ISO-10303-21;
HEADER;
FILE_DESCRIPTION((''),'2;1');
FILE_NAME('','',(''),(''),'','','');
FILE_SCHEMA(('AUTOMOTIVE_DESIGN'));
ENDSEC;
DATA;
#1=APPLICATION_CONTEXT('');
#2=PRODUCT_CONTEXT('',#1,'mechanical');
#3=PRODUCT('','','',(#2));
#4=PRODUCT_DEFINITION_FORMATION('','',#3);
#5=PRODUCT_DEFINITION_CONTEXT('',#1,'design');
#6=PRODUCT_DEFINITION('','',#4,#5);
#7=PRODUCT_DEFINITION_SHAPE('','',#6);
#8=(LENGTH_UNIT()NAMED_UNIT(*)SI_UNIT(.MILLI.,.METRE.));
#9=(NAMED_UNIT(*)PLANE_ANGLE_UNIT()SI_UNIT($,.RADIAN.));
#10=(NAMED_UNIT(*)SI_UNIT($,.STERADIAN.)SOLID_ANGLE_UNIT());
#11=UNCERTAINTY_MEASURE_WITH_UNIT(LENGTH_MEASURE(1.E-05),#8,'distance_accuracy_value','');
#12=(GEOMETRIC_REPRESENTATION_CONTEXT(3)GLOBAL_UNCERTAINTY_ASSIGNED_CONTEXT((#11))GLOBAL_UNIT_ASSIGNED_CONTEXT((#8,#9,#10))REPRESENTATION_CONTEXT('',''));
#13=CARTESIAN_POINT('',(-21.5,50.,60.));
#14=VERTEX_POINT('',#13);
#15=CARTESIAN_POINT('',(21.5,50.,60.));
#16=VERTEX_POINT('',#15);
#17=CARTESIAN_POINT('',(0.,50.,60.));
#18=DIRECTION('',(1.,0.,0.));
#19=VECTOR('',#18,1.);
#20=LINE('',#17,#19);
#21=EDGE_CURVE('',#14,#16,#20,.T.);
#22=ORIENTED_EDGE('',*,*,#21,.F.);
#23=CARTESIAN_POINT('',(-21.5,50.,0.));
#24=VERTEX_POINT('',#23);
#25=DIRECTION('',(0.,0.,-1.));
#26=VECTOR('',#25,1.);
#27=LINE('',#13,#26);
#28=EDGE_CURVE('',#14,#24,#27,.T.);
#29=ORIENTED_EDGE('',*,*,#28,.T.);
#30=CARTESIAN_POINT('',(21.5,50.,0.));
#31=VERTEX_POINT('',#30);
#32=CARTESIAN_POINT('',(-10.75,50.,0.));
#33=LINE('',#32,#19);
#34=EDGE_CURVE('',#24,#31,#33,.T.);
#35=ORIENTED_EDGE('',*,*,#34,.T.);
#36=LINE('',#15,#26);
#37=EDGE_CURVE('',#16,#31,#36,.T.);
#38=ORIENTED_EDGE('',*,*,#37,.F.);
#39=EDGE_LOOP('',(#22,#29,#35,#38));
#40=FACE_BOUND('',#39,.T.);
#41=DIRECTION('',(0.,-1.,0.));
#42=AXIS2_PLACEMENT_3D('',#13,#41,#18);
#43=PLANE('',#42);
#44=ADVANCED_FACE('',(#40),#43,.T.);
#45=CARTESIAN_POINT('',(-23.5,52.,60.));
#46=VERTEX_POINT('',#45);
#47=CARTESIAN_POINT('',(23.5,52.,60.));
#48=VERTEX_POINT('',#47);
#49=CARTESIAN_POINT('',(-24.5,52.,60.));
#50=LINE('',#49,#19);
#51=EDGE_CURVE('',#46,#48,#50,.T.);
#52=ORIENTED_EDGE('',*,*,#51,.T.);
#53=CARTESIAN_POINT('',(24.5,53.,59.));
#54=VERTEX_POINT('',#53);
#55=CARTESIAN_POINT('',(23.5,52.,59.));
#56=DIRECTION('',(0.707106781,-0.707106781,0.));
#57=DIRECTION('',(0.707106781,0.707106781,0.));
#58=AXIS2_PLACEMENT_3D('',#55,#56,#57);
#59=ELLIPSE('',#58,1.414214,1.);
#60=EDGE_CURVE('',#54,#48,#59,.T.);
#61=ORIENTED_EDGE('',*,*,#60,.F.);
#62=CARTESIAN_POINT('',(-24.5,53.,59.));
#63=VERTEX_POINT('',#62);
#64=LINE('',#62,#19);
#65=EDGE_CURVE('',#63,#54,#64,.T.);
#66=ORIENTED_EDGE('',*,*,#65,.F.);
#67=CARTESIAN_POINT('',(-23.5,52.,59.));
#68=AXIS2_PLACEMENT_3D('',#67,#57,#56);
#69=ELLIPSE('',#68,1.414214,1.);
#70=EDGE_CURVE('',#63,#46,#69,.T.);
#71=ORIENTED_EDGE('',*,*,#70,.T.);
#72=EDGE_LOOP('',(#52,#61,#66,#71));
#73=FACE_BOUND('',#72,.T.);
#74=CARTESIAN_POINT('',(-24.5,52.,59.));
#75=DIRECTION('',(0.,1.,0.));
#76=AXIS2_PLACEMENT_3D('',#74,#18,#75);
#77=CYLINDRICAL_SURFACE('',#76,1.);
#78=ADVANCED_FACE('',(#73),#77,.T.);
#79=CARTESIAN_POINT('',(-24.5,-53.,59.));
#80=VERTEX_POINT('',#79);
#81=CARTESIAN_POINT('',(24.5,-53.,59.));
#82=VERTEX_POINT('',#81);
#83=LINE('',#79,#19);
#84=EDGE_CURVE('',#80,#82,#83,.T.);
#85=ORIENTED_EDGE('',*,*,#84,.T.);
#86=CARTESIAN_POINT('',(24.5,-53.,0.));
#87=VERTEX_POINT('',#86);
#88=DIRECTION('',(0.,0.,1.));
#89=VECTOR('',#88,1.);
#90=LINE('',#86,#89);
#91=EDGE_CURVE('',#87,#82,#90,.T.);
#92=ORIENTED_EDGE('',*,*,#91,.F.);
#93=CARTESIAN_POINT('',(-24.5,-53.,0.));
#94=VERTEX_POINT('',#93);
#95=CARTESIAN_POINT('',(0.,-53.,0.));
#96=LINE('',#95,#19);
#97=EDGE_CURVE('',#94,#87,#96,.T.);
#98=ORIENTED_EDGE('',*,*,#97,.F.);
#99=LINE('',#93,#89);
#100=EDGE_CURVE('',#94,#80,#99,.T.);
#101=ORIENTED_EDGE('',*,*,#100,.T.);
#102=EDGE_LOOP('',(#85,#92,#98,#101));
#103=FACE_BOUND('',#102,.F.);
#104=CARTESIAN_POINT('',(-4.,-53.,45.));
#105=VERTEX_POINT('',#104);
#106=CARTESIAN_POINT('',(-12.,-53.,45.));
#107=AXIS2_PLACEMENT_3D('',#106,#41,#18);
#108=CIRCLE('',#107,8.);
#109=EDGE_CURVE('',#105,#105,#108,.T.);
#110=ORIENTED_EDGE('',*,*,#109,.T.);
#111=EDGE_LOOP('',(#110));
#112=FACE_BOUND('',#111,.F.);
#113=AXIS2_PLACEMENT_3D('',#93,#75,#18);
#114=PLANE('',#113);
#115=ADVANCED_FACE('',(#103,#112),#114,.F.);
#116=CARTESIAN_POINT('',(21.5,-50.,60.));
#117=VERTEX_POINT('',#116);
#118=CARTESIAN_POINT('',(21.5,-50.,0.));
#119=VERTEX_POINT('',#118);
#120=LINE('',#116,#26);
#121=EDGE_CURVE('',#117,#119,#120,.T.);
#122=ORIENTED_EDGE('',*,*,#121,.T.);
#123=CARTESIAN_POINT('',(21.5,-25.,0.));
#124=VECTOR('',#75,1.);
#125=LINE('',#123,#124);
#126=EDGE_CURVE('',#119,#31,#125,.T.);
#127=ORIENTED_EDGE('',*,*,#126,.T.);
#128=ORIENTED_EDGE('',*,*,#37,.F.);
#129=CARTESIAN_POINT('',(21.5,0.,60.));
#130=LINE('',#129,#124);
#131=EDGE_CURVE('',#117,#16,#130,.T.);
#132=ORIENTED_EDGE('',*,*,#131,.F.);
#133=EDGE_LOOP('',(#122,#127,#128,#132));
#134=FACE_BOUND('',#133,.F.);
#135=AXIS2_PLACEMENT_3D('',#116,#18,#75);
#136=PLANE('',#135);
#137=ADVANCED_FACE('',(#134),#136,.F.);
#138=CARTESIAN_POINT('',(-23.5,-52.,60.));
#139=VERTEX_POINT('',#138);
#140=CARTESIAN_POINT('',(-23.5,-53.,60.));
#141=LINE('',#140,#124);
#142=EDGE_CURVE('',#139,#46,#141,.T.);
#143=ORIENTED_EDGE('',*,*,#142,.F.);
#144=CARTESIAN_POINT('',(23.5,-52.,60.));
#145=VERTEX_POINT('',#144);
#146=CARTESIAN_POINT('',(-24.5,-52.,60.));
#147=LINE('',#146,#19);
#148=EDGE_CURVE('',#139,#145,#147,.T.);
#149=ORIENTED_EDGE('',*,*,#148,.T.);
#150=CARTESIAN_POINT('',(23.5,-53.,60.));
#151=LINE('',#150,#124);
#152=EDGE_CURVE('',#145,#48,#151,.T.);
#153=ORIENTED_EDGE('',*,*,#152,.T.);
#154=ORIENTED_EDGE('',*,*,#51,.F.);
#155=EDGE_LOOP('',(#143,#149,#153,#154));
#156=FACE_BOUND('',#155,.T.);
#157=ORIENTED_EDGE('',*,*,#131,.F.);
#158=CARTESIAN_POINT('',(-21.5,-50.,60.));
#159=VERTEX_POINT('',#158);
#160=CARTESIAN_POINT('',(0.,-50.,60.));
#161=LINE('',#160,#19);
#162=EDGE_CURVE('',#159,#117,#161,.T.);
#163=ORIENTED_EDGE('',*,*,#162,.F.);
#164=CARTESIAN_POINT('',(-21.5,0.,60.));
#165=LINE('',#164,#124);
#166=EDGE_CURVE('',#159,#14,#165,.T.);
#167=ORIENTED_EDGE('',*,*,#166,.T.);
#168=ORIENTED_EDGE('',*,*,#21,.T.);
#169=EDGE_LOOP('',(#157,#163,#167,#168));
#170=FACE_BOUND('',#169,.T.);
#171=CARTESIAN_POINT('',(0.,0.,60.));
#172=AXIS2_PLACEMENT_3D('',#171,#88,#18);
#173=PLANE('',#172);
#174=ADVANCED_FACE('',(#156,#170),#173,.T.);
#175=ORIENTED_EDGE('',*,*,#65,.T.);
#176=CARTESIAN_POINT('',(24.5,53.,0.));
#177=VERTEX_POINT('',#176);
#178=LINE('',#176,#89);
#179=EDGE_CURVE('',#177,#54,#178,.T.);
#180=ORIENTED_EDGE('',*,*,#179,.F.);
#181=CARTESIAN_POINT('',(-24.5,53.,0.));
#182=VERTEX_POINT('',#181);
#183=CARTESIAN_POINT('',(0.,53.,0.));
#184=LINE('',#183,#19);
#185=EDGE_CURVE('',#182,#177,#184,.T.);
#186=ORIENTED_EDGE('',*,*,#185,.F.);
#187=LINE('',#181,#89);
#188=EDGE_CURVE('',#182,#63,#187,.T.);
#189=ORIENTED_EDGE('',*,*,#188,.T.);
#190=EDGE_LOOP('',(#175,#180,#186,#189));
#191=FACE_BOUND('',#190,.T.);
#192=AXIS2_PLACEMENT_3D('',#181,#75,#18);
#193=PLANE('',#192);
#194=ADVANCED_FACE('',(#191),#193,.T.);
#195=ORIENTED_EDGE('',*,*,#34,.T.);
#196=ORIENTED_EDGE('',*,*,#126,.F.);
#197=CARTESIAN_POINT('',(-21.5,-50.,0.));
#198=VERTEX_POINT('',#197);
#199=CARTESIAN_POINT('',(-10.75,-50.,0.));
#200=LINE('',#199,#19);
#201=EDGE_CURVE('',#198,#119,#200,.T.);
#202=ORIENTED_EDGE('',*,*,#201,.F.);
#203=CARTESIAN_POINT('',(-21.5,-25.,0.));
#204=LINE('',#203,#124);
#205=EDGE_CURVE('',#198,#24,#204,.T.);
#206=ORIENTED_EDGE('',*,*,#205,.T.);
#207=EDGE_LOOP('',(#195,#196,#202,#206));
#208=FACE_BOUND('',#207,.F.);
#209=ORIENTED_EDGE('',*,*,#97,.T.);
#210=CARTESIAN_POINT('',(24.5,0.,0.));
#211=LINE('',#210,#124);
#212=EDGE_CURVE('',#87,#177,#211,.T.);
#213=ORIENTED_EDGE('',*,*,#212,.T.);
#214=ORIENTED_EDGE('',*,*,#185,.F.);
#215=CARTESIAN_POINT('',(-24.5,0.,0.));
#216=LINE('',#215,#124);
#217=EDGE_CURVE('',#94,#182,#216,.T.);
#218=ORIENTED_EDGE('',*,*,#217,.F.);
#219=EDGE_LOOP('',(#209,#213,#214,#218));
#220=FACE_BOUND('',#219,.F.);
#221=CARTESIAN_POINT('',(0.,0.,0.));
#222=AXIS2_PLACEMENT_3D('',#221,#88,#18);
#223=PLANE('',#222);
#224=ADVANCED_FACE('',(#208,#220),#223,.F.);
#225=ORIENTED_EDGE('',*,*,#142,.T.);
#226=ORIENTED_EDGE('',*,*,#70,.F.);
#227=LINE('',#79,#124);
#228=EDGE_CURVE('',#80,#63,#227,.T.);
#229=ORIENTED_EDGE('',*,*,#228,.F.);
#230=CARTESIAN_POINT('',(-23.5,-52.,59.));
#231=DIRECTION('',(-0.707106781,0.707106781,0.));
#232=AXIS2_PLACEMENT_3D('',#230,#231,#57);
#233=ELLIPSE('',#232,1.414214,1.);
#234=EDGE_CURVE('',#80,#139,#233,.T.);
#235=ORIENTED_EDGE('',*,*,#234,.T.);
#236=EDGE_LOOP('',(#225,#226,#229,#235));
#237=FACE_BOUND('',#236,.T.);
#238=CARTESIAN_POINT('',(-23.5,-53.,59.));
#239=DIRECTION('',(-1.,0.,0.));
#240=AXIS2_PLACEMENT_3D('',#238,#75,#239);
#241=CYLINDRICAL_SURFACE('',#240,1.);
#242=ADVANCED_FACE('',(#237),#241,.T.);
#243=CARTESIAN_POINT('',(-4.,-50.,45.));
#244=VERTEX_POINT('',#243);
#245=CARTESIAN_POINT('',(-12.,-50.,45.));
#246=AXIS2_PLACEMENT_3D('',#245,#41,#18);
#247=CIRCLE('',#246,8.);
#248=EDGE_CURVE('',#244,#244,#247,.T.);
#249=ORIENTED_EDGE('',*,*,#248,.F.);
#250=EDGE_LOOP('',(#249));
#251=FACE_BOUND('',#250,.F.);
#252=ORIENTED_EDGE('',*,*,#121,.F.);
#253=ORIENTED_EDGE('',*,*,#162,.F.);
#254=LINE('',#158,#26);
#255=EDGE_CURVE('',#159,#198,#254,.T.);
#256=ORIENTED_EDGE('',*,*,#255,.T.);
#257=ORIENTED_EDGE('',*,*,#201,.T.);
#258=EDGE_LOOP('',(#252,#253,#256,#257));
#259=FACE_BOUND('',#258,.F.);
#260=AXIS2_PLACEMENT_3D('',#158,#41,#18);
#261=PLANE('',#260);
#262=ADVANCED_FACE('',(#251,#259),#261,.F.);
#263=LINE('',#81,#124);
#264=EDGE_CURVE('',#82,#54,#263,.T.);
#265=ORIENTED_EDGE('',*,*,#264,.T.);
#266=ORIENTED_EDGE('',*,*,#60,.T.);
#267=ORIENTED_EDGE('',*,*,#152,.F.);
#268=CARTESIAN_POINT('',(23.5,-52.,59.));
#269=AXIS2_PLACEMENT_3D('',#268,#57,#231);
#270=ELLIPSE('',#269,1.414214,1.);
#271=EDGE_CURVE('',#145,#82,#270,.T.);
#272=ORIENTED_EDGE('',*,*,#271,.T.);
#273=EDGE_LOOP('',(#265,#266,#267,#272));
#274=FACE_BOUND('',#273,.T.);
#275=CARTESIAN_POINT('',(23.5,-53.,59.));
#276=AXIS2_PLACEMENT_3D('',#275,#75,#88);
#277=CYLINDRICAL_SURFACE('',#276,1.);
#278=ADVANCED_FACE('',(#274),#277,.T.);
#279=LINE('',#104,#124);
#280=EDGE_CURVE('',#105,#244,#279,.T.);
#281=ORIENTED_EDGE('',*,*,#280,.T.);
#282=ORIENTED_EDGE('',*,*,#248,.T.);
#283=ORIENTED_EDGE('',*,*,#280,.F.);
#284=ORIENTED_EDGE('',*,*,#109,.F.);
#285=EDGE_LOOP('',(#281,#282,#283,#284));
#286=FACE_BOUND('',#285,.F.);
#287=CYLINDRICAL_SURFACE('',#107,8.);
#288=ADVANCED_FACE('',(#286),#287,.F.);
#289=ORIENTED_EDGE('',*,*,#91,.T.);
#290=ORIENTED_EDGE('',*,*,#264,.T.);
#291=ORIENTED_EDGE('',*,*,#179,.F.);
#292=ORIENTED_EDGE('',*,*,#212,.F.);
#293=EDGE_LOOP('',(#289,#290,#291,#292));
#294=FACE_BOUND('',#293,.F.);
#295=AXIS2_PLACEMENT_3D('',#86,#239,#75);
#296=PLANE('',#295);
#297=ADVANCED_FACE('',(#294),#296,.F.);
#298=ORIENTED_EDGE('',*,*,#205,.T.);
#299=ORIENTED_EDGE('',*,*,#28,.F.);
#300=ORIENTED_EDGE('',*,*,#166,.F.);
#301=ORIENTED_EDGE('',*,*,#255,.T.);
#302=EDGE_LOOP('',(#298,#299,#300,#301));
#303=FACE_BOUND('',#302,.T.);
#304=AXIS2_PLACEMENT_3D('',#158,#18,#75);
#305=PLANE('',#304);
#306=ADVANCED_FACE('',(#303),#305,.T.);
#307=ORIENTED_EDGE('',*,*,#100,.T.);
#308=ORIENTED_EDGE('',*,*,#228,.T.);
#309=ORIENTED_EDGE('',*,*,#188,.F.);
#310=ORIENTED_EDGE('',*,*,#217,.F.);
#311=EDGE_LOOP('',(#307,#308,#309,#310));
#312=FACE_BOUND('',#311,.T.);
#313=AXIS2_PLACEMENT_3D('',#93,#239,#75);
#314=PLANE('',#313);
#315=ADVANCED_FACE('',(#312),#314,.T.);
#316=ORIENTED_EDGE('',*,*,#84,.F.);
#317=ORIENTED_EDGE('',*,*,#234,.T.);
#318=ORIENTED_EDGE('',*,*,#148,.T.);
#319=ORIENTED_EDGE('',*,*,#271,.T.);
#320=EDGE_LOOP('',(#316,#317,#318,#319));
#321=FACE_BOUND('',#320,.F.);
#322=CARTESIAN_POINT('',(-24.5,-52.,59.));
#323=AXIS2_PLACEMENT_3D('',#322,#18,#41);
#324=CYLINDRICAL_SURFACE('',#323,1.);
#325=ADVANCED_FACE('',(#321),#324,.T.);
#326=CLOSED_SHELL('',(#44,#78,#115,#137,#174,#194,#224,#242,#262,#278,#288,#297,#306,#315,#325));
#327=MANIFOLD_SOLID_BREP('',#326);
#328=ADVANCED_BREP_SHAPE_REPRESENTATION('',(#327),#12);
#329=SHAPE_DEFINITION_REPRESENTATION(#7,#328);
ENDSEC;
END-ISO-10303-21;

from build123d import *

# Parameters (mm, degrees)
SKETCH_W        = 49
SKETCH_H        = 106
PAD_DEPTH       = 60
SKETCH001_W     = 43
SKETCH001_H     = 100
POCKET_DEPTH    = 60.001
FILLET_R        = 1
SKETCH002_R     = 8
POCKET001_DEPTH = 3


with BuildPart() as part:
    # Sketch → Pad (new body)
    with BuildSketch(Plane.XY):
        Rectangle(SKETCH_W, SKETCH_H)
    extrude(amount=PAD_DEPTH)

    # Sketch001 → Pocket (cut, through all)
    with BuildSketch(Plane.XY.offset(60)):
        Rectangle(SKETCH001_W, SKETCH001_H)
    extrude(amount=-POCKET_DEPTH, mode=Mode.SUBTRACT)

    # Fillet
    fillet_edges = [part.edges().sort_by_distance(p)[0] for p in [
        (0, 53, 60),
        (24.5, 0, 60),
        (-24.5, 0, 60),
        (0, -53, 60),
    ]]
    fillet(fillet_edges, radius=FILLET_R)

    # Sketch002 → Pocket001 (cut)
    with BuildSketch(Plane.XZ.offset(53)):
        with Locations((-12, 45)):
            Circle(SKETCH002_R)
    extrude(amount=-POCKET001_DEPTH, mode=Mode.SUBTRACT)


solid = part.part
